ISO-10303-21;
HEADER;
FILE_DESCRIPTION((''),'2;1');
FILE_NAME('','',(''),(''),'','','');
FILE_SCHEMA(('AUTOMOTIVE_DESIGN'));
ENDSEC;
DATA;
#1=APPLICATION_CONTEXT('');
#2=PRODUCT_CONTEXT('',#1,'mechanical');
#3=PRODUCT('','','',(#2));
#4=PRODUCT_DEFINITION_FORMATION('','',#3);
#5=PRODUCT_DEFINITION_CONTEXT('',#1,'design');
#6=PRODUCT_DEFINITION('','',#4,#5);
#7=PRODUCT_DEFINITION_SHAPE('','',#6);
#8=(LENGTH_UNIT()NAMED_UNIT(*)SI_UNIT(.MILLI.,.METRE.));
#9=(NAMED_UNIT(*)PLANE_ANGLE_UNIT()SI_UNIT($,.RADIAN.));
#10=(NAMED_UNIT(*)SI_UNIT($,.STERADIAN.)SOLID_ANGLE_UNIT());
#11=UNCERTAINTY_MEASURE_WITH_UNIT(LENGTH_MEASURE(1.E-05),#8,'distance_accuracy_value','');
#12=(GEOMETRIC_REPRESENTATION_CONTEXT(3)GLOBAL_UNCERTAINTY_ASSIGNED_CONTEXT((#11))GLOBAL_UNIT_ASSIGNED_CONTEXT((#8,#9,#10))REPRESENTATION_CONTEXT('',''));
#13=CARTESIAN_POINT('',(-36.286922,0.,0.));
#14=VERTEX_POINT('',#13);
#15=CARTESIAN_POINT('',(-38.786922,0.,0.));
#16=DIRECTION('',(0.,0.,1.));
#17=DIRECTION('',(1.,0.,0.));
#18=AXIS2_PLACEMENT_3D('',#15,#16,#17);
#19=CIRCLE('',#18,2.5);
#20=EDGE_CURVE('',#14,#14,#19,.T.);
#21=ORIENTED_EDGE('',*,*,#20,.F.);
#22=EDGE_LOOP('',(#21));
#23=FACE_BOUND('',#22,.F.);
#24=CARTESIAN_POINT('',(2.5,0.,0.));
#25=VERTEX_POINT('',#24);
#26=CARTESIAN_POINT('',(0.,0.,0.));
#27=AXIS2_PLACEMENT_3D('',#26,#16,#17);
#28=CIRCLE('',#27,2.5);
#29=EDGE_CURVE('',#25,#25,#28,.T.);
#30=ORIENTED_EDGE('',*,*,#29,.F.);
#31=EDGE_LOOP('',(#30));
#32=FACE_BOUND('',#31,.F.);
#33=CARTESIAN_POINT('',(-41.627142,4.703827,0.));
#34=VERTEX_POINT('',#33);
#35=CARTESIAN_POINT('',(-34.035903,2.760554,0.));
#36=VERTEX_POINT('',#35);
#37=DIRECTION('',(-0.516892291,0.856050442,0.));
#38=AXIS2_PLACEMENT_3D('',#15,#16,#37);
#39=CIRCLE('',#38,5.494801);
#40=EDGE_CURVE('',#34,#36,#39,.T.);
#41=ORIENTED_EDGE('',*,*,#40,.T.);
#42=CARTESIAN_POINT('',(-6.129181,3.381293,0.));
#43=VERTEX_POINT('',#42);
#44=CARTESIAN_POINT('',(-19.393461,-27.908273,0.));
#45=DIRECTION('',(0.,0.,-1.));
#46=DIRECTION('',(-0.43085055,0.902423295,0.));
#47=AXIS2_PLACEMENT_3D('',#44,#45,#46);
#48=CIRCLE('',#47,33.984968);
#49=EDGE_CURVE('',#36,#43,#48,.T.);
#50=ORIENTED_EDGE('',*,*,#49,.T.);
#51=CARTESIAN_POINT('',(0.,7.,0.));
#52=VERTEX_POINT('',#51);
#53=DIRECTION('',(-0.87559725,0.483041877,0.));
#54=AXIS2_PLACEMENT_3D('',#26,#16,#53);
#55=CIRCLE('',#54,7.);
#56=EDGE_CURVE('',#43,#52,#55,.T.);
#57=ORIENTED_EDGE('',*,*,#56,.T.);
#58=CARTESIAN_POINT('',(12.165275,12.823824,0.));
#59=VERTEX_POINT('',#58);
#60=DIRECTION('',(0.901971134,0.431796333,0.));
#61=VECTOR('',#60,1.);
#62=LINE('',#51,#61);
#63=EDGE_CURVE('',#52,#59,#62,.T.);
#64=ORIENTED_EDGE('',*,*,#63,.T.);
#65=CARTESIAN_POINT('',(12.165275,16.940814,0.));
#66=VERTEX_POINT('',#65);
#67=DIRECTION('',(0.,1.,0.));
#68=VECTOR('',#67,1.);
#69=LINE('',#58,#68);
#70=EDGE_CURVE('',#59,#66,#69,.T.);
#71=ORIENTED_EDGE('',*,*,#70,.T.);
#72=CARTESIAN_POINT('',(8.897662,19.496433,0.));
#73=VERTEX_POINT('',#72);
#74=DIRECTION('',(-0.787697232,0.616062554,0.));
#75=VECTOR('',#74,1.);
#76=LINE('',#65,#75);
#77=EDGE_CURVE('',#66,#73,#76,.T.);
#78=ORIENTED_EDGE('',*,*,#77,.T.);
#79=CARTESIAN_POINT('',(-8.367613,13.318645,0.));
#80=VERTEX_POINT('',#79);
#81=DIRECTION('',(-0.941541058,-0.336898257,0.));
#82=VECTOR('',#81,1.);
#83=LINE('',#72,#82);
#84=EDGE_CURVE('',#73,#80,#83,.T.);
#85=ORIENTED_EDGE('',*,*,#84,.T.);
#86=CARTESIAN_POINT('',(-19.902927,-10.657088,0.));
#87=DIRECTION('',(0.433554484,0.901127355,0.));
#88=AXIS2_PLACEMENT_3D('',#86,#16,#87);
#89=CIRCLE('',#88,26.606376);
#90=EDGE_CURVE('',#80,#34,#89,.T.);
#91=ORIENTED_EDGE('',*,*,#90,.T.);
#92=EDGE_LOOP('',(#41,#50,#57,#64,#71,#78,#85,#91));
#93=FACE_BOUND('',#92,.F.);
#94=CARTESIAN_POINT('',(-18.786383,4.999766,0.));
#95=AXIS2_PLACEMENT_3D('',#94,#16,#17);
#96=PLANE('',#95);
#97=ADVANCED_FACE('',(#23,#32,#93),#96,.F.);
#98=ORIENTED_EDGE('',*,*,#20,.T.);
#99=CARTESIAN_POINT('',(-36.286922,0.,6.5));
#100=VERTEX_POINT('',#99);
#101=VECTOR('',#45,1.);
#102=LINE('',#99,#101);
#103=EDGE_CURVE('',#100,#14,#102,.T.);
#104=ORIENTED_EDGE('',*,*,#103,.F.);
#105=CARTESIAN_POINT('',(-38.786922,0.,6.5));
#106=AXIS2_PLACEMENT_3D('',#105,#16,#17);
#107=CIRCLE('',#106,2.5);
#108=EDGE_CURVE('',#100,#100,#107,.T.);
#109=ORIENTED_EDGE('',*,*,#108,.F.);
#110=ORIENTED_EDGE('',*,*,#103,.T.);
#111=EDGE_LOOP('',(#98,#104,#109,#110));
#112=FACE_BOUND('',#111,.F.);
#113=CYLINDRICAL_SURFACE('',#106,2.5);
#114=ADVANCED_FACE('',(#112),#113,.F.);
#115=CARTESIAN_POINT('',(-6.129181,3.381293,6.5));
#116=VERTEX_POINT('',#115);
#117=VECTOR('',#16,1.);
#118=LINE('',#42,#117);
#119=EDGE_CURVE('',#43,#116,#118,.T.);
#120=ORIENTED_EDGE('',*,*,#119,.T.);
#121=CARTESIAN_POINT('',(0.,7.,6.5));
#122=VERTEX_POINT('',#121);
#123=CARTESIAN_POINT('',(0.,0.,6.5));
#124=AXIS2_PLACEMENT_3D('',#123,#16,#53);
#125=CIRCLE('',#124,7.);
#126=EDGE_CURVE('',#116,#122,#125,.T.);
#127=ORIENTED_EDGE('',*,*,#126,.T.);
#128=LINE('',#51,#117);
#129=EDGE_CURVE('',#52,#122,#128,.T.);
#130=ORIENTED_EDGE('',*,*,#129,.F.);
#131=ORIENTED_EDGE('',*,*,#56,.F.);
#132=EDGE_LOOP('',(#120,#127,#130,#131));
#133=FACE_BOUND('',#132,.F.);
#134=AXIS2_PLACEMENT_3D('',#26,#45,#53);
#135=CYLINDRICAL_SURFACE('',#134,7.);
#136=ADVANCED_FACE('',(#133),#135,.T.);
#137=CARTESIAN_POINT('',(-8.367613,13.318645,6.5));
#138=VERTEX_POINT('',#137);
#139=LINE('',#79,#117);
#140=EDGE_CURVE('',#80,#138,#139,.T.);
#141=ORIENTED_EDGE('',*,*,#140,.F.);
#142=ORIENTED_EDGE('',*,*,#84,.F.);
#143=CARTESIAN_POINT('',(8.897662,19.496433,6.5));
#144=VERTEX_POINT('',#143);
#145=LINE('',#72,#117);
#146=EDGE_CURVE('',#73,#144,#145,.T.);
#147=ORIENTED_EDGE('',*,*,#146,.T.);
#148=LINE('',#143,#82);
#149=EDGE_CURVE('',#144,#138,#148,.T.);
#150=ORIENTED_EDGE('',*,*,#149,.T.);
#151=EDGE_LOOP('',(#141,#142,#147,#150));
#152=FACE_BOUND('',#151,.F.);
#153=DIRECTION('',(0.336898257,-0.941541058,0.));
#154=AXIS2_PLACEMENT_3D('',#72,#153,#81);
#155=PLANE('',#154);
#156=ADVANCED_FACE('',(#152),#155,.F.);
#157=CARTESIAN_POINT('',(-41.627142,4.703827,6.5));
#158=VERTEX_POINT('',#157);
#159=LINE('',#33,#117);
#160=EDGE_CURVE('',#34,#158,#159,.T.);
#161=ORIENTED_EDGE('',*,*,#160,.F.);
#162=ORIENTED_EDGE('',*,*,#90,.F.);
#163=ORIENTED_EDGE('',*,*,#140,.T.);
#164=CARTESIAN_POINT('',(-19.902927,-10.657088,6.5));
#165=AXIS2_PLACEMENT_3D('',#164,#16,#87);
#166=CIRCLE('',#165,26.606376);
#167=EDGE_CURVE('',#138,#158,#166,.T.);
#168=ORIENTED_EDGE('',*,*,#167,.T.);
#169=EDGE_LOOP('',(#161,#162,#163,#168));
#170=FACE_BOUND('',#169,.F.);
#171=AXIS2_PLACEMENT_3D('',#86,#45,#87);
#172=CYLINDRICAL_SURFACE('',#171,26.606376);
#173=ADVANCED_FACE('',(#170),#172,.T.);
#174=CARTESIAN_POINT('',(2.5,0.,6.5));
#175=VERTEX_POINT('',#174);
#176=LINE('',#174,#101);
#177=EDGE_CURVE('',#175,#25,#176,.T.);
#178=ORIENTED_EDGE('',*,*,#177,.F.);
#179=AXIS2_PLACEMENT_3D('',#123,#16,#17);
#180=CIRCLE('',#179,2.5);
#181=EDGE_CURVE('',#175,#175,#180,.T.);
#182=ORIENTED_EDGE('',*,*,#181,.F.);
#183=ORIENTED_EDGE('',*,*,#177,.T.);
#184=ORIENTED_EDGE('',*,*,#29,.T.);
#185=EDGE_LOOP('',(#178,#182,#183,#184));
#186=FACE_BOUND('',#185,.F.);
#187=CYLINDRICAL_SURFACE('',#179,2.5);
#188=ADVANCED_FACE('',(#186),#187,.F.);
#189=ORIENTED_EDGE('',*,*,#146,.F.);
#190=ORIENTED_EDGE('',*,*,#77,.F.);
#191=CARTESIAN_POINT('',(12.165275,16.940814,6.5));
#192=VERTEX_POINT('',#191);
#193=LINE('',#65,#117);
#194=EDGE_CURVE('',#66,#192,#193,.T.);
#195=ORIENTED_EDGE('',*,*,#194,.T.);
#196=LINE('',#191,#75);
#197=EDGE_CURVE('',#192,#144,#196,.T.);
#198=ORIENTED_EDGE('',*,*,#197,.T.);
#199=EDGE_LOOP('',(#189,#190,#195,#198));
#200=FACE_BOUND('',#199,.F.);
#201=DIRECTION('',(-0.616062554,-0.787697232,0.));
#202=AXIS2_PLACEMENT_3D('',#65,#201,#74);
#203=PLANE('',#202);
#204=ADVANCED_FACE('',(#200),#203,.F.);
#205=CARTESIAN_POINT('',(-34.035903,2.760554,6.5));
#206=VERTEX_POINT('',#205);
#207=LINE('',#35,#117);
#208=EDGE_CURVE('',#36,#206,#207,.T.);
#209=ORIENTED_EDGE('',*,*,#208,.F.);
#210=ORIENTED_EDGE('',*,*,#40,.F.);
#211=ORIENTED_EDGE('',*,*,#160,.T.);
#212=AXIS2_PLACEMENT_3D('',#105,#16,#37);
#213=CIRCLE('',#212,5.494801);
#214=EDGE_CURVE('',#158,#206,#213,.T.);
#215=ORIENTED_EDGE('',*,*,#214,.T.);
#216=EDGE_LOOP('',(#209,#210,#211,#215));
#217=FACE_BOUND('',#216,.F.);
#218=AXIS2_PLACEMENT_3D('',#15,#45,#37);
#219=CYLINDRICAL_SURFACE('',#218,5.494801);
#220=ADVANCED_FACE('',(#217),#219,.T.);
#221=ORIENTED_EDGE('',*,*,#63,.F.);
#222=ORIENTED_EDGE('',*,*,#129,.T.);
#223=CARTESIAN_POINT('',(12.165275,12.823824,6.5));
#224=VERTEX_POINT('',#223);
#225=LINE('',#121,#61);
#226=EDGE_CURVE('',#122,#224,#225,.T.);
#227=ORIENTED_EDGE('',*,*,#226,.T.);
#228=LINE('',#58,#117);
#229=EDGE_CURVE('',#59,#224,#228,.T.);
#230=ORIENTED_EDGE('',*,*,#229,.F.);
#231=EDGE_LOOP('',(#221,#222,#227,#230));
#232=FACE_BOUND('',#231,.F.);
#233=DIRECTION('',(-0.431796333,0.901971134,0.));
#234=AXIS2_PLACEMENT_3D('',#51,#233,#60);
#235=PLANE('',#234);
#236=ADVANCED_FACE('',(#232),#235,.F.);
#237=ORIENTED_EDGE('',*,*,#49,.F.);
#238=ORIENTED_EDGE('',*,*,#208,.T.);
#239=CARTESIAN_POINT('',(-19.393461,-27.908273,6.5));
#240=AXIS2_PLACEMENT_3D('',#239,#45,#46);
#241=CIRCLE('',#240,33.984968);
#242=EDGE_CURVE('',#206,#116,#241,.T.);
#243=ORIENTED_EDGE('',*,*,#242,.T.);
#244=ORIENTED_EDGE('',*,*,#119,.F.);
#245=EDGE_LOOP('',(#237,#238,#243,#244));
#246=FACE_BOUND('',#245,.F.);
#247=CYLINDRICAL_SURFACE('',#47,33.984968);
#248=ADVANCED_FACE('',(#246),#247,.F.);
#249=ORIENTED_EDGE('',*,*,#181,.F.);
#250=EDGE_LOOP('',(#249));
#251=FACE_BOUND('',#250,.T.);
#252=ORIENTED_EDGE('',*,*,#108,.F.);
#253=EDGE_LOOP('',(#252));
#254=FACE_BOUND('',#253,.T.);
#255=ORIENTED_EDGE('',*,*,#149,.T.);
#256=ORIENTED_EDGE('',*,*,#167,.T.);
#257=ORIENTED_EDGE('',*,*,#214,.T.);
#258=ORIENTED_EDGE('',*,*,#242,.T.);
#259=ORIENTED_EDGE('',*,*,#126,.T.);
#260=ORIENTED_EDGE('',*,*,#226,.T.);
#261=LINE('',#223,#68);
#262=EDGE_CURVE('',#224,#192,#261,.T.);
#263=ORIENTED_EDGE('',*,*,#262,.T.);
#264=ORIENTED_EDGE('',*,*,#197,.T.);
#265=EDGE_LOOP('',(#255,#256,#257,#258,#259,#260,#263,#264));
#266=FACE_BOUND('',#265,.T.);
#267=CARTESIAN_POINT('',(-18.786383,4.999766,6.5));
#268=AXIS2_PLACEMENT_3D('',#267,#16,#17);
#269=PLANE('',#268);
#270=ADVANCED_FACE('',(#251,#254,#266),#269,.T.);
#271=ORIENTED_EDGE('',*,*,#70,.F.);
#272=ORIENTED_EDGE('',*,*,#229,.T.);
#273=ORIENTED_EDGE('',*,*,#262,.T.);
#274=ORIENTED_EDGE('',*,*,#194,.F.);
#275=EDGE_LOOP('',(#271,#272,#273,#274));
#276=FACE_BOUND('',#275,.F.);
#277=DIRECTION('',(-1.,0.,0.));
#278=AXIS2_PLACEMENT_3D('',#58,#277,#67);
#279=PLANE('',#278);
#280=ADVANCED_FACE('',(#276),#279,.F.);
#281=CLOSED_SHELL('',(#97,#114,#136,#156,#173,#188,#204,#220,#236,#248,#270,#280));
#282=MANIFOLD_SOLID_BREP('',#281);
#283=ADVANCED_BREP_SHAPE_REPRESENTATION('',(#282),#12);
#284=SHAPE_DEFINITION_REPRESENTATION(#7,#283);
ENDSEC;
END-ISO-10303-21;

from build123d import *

# Parameters (mm, degrees)
F1_DEPTH = 6.5
F2_R     = 2.5
F3_DEPTH = 8


with BuildPart() as f1:
    # F0 (on Top) → F1 (new body)
    with BuildSketch(Plane.XY):
        with BuildLine():
            ThreePointArc((-34.035903, 2.760554), (-20.149213, 6.068291), (-6.129181, 3.381293))
            ThreePointArc((-6.129181, 3.381293), (3.558859, -6.027813), (0, 7))
            ThreePointArc((0, 7), (-3.86946, 10.575604), (-8.367613, 13.318645))
            ThreePointArc((-8.367613, 13.318645), (-26.574298, 15.09931), (-41.627142, 4.703827))
            ThreePointArc((-41.627142, 4.703827), (-40.14959, -5.323154), (-34.035903, 2.760554))
        make_face()
        with BuildLine():
            ThreePointArc((-8.367613, 13.318645), (-3.86946, 10.575604), (0, 7))
            Line((0, 7), (12.165275, 12.823824))
            Line((12.165275, 12.823824), (12.165275, 16.940814))
            Line((12.165275, 16.940814), (8.897662, 19.496433))
            Line((8.897662, 19.496433), (-8.367613, 13.318645))
        make_face()
    extrude(amount=F1_DEPTH)

    # F2 (on face) → F3 (cut)
    with BuildSketch(Plane.XY.offset(6.5)):
        Circle(F2_R)
        with Locations((-38.786922, 0)):
            Circle(F2_R)
    extrude(amount=-F3_DEPTH, mode=Mode.SUBTRACT)


solid = f1.part
